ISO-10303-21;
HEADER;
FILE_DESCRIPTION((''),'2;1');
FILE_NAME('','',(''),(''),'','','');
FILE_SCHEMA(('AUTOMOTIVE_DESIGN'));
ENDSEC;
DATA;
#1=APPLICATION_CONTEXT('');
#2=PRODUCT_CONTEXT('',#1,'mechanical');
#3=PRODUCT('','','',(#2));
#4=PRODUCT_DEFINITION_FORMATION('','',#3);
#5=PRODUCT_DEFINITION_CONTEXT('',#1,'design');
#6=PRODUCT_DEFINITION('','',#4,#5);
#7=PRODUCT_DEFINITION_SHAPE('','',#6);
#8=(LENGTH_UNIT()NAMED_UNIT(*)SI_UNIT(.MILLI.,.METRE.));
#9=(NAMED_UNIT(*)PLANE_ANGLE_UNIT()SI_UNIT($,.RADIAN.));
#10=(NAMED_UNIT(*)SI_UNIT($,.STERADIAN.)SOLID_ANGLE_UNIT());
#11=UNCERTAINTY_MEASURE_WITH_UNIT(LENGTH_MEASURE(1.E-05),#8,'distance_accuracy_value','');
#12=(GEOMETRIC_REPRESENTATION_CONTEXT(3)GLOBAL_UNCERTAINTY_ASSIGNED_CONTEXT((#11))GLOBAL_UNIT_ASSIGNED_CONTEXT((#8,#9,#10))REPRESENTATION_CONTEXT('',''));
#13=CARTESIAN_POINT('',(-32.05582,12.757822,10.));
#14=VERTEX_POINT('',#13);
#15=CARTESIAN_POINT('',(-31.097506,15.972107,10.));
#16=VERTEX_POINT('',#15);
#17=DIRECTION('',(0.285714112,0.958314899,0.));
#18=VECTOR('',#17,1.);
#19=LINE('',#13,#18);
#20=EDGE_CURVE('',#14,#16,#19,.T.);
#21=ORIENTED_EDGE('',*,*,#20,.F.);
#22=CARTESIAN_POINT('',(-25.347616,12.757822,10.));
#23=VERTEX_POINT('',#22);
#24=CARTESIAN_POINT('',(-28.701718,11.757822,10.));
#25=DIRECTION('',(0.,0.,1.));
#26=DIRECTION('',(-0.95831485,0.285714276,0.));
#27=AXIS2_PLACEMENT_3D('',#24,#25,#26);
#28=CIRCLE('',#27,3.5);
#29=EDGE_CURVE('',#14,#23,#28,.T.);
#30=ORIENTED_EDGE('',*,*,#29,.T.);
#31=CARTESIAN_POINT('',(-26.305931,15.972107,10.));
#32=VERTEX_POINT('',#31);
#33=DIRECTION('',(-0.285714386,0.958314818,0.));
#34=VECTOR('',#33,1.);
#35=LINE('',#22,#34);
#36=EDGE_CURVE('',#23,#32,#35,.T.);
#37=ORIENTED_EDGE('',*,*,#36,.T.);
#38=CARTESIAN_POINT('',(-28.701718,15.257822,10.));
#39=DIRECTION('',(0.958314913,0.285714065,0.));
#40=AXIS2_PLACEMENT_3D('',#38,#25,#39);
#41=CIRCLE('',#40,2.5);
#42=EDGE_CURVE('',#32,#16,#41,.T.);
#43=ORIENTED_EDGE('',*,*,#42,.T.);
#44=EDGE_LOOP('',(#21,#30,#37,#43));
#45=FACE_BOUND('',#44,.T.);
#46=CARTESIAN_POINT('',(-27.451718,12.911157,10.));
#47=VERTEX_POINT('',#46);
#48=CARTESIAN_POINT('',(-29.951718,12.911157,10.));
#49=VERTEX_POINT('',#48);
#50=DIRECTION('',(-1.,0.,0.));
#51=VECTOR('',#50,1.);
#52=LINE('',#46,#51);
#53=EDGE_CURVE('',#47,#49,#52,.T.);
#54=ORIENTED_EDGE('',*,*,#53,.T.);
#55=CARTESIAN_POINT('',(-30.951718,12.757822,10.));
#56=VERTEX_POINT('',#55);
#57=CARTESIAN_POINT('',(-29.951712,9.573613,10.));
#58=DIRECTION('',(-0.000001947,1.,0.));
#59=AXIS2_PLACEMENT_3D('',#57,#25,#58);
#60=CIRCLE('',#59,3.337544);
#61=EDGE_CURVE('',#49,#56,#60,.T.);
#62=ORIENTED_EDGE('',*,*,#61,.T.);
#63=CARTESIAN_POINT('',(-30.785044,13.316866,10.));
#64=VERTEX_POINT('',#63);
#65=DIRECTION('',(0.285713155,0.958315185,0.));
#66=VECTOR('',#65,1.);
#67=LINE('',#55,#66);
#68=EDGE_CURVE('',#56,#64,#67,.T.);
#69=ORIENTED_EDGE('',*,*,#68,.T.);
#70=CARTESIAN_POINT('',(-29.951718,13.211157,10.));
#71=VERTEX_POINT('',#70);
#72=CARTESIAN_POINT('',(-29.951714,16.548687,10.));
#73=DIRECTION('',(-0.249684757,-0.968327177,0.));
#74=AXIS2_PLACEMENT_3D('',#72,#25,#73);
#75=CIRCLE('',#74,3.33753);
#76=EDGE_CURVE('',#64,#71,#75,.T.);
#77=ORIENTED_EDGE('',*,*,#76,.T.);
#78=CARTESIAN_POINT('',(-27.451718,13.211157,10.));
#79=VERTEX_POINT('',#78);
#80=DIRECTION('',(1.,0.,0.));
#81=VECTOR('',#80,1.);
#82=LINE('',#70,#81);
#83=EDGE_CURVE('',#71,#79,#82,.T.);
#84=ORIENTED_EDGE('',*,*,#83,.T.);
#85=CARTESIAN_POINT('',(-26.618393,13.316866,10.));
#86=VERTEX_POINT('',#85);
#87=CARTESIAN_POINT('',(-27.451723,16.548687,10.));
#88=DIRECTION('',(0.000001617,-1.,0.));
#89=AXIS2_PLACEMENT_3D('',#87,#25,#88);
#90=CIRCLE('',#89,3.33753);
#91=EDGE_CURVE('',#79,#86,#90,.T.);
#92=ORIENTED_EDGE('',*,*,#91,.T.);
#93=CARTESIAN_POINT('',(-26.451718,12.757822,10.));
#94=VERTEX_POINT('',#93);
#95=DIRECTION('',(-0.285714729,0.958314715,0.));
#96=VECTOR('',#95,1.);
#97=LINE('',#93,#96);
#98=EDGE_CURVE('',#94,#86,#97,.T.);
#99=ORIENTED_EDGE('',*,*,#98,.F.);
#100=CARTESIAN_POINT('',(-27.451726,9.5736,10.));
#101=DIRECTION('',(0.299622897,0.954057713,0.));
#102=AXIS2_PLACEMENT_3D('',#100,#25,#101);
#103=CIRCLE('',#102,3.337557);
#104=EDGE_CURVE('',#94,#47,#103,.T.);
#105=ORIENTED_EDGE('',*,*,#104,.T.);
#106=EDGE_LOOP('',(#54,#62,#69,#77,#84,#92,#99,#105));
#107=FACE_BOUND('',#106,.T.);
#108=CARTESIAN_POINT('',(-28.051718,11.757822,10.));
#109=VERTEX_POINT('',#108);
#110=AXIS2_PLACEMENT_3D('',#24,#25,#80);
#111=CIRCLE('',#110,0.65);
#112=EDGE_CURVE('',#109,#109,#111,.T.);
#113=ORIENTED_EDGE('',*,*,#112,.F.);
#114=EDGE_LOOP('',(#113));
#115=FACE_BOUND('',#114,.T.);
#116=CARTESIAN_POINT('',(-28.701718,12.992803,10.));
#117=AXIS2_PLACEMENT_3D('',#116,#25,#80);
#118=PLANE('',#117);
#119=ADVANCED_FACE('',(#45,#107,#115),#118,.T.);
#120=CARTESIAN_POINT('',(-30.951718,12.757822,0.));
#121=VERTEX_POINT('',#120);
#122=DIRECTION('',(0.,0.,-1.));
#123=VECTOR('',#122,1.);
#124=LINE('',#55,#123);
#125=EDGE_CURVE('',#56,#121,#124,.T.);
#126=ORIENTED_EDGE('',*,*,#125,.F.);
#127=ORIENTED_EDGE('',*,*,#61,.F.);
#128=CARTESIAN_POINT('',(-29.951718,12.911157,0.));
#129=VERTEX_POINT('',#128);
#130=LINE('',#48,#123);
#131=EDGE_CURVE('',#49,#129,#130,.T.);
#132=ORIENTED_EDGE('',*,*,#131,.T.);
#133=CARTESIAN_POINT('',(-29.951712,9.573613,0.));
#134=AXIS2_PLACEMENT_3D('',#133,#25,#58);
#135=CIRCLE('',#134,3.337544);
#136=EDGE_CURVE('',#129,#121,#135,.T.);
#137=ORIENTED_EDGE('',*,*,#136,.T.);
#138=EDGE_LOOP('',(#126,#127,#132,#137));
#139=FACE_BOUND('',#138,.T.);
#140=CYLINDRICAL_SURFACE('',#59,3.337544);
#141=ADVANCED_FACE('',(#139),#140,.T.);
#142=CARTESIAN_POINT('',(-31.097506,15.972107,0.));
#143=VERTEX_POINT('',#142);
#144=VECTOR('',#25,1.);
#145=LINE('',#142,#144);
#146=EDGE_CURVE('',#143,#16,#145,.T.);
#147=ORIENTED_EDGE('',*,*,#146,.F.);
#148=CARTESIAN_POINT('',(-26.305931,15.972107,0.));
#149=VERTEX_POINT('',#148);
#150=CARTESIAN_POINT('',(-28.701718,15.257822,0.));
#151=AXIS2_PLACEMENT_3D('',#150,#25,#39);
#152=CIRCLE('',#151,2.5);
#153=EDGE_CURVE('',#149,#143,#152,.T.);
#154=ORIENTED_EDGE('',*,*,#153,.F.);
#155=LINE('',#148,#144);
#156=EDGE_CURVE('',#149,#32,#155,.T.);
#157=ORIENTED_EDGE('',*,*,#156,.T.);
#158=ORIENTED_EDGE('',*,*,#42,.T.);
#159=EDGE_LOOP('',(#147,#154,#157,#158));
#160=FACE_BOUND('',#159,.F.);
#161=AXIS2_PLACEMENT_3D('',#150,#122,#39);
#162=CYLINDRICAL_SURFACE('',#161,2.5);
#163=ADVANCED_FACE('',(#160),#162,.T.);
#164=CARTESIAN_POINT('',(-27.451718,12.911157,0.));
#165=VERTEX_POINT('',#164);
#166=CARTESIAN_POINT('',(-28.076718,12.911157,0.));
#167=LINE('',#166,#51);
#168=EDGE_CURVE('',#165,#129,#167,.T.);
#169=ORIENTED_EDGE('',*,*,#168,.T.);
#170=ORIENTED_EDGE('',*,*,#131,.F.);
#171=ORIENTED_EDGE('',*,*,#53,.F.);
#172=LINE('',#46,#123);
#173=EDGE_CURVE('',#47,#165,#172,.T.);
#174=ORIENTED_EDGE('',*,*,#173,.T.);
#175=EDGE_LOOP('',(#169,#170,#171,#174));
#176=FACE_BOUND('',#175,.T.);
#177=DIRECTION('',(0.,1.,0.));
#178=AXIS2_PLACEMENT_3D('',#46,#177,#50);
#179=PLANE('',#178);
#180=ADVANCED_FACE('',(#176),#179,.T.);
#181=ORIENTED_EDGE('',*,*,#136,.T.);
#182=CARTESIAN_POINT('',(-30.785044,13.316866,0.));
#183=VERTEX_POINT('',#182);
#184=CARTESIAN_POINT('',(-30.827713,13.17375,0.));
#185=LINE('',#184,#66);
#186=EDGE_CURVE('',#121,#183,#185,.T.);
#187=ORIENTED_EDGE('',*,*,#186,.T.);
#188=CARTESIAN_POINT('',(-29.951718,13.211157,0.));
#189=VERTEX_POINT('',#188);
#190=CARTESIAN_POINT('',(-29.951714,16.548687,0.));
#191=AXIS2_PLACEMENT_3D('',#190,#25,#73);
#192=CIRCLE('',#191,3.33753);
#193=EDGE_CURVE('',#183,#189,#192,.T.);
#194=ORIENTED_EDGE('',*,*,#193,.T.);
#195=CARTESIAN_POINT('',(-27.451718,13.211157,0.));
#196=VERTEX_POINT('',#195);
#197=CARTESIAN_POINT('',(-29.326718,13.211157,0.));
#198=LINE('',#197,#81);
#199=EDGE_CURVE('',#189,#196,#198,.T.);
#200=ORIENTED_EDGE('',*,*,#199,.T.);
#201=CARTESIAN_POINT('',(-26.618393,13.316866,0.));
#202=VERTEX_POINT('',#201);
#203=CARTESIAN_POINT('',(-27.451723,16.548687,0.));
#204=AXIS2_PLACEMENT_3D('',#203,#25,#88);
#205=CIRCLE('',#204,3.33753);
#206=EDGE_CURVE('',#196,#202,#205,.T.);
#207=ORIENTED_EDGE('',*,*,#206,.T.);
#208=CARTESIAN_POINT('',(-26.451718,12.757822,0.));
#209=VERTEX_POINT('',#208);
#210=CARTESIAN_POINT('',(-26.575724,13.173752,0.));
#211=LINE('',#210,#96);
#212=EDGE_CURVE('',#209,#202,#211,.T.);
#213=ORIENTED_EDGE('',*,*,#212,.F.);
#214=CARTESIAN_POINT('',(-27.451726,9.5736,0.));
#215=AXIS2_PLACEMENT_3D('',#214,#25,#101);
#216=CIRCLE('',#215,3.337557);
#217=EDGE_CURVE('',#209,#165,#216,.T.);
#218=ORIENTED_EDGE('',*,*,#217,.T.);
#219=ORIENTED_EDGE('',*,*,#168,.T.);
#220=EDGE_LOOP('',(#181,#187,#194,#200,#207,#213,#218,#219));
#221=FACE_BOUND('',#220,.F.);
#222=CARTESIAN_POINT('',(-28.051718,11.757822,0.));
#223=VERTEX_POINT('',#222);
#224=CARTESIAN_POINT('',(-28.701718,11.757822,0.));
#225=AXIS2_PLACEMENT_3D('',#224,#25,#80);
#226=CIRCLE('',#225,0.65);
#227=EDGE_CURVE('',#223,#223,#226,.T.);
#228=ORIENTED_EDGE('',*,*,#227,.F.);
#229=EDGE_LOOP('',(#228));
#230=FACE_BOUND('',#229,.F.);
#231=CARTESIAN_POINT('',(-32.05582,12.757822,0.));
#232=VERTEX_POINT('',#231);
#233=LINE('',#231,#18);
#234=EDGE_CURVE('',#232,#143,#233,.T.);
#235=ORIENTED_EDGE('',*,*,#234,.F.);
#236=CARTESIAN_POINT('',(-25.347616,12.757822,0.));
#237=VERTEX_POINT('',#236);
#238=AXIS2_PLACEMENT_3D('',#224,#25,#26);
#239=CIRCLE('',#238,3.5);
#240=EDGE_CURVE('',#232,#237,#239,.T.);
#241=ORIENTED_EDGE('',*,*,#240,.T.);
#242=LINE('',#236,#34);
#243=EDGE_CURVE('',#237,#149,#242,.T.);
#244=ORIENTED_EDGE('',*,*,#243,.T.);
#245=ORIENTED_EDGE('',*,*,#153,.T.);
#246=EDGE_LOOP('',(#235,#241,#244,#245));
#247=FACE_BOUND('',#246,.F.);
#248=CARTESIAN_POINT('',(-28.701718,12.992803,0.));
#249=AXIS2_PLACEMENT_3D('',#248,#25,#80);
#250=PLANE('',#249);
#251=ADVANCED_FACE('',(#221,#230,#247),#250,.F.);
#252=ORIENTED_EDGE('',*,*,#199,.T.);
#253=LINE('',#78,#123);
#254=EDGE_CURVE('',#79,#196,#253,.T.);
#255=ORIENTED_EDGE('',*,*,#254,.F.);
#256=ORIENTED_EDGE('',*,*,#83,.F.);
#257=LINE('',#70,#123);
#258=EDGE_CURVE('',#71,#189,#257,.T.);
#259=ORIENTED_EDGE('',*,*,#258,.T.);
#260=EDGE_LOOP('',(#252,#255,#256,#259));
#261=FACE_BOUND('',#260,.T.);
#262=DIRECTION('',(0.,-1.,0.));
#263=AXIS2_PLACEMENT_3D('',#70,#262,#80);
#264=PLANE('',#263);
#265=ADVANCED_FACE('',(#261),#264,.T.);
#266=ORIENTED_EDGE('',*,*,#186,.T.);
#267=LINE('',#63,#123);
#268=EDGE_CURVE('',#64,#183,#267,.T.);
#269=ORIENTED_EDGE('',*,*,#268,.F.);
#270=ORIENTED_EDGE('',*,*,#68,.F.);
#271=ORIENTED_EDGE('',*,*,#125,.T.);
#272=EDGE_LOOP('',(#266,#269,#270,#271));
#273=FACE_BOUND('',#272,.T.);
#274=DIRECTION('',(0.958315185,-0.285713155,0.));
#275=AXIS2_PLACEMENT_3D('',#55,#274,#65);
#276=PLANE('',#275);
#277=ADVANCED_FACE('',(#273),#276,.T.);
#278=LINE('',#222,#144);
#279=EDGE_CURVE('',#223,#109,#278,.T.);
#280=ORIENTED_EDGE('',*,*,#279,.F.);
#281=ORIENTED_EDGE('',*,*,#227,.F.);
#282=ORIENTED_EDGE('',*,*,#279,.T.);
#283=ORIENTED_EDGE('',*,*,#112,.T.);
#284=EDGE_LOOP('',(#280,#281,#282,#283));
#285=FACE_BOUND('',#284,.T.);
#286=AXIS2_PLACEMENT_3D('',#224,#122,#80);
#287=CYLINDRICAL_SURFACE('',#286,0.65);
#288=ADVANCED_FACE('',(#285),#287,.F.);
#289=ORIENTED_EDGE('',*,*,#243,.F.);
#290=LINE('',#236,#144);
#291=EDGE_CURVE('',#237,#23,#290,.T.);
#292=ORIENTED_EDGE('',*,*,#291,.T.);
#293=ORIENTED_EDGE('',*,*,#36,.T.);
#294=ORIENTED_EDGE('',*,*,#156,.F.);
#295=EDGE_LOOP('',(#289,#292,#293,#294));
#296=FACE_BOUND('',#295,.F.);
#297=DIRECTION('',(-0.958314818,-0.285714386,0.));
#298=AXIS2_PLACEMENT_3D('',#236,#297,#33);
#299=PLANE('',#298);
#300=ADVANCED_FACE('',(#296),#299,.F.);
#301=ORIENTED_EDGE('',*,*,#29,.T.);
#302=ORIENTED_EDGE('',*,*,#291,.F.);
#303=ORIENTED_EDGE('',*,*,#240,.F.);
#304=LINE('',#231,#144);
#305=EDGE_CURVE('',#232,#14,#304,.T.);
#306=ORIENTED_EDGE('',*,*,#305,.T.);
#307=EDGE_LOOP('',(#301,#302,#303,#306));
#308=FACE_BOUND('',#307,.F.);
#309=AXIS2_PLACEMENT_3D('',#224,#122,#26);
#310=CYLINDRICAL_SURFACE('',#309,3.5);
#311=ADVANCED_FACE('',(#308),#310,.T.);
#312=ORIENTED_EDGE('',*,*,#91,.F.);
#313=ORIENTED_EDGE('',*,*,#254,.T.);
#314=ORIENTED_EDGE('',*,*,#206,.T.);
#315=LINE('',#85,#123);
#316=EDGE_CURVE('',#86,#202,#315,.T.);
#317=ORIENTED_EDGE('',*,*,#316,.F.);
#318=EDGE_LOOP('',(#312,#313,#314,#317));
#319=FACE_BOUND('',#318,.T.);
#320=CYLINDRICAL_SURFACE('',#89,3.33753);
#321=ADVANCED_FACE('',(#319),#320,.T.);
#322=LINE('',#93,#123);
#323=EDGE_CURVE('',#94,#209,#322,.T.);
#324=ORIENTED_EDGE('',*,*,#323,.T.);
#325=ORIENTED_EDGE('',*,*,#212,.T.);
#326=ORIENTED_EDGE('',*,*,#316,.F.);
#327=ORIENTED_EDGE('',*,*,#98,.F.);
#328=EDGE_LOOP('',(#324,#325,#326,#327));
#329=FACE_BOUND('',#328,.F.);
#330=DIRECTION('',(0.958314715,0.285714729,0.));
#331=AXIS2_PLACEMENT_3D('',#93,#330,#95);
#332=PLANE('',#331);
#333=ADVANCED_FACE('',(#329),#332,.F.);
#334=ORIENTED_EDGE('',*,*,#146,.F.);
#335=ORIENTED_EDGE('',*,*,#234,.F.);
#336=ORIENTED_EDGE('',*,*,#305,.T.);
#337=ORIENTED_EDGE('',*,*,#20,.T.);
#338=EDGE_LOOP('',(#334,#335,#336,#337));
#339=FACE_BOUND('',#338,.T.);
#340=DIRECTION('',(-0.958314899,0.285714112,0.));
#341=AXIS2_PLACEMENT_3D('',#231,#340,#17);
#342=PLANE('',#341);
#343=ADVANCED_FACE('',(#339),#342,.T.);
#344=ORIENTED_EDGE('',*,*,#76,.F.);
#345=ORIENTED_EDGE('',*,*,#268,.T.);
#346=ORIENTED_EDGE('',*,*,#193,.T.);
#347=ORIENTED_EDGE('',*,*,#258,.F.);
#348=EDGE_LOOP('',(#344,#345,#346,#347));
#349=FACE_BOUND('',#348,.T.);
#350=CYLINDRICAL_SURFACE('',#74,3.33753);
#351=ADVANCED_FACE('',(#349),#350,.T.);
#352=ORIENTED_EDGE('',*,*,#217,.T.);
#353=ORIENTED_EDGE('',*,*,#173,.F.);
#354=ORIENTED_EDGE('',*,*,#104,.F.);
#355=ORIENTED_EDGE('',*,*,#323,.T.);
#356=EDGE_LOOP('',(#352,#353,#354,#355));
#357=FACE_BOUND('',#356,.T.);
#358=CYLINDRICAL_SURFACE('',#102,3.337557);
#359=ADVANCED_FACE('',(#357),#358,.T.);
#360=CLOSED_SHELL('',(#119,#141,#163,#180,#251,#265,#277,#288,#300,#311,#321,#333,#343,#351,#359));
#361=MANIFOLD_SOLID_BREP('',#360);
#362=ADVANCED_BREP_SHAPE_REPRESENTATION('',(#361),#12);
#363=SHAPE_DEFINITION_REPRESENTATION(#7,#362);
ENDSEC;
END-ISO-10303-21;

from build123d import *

# Parameters (mm, degrees)
SKETCH_R     = 0.65
PAD_DEPTH    = 10
POCKET_DEPTH = 10.001


with BuildPart() as part:
    # Sketch → Pad (new body)
    with BuildSketch(Plane.XY):
        with BuildLine():
            ThreePointArc((-32.05582, 12.757822), (-28.701718, 8.257822), (-25.347616, 12.757822))
            Line((-25.347616, 12.757822), (-26.305931, 15.972107))
            ThreePointArc((-26.305931, 15.972107), (-28.701718, 17.757822), (-31.097506, 15.972107))
            Line((-32.05582, 12.757822), (-31.097506, 15.972107))
        make_face()
        with Locations((-28.701718, 11.757822)):
            Circle(SKETCH_R, mode=Mode.SUBTRACT)
    extrude(amount=PAD_DEPTH)

    # Sketch001 (on Face7 of Pad) → Pocket (cut, through all)
    with BuildSketch(Plane.XY.offset(10)):
        with BuildLine():
            ThreePointArc((-30.785044, 13.316866), (-30.37172, 13.23769), (-29.951718, 13.211157))
            Line((-29.951718, 13.211157), (-27.451718, 13.211157))
            ThreePointArc((-27.451718, 13.211157), (-27.031717, 13.23769), (-26.618393, 13.316866))
            Line((-26.451718, 12.757822), (-26.618393, 13.316866))
            ThreePointArc((-26.451718, 12.757822), (-26.945875, 12.8726), (-27.451718, 12.911157))
            Line((-27.451718, 12.911157), (-29.951718, 12.911157))
            ThreePointArc((-29.951718, 12.911157), (-30.457562, 12.8726), (-30.951718, 12.757822))
            Line((-30.951718, 12.757822), (-30.785044, 13.316866))
        make_face()
    extrude(amount=-POCKET_DEPTH, mode=Mode.SUBTRACT)


solid = part.part
